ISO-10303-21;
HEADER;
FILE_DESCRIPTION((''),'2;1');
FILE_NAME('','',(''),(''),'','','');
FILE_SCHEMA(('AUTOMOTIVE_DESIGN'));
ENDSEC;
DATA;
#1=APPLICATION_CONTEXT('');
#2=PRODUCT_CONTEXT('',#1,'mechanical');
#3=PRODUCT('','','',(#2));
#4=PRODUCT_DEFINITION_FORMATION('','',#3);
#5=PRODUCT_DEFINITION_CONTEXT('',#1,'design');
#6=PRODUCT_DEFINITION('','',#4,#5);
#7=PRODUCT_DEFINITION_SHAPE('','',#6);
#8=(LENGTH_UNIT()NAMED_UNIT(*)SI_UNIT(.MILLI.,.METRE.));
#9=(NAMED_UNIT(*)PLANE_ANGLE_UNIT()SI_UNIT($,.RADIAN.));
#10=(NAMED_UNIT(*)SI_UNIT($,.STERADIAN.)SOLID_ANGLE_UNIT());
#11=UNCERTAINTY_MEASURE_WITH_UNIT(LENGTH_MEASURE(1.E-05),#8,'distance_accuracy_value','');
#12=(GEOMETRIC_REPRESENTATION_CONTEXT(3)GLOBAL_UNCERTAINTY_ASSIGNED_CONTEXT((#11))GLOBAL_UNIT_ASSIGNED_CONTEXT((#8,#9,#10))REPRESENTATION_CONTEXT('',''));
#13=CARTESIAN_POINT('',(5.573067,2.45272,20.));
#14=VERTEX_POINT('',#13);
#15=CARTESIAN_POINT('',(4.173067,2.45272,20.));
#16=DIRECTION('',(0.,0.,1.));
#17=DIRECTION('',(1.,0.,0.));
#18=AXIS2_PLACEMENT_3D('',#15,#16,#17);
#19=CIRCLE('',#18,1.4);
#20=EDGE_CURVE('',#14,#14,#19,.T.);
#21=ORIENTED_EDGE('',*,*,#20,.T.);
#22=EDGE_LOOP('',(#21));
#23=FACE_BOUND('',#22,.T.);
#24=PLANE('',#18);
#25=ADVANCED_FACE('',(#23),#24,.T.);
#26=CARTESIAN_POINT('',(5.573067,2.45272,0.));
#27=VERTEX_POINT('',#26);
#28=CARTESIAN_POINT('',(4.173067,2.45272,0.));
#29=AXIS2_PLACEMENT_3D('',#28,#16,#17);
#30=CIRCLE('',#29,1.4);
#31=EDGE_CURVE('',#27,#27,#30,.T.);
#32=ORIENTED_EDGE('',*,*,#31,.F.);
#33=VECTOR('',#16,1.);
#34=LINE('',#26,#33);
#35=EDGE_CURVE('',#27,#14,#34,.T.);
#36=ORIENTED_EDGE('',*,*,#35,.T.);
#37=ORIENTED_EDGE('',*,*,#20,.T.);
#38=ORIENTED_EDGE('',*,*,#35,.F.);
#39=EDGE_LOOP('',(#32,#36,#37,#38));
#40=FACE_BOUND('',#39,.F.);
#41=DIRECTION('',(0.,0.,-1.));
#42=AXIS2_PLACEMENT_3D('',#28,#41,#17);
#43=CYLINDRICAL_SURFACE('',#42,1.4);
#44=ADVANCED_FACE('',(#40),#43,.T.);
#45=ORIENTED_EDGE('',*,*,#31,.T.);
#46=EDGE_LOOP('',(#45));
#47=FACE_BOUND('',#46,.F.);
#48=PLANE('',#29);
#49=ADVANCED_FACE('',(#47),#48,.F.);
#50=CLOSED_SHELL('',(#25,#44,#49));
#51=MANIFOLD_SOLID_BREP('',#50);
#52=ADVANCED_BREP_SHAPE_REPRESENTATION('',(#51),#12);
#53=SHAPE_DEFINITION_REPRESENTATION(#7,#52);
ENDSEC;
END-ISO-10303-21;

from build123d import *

# Parameters (mm, degrees)
SKETCH206_R  = 1.4
PAD102_DEPTH = 20


with BuildPart() as part:
    # Sketch206 → Pad102 (new body)
    with BuildSketch(Plane.XY):
        with Locations((4.173067, 2.45272)):
            Circle(SKETCH206_R)
    extrude(amount=PAD102_DEPTH)


solid = part.part
